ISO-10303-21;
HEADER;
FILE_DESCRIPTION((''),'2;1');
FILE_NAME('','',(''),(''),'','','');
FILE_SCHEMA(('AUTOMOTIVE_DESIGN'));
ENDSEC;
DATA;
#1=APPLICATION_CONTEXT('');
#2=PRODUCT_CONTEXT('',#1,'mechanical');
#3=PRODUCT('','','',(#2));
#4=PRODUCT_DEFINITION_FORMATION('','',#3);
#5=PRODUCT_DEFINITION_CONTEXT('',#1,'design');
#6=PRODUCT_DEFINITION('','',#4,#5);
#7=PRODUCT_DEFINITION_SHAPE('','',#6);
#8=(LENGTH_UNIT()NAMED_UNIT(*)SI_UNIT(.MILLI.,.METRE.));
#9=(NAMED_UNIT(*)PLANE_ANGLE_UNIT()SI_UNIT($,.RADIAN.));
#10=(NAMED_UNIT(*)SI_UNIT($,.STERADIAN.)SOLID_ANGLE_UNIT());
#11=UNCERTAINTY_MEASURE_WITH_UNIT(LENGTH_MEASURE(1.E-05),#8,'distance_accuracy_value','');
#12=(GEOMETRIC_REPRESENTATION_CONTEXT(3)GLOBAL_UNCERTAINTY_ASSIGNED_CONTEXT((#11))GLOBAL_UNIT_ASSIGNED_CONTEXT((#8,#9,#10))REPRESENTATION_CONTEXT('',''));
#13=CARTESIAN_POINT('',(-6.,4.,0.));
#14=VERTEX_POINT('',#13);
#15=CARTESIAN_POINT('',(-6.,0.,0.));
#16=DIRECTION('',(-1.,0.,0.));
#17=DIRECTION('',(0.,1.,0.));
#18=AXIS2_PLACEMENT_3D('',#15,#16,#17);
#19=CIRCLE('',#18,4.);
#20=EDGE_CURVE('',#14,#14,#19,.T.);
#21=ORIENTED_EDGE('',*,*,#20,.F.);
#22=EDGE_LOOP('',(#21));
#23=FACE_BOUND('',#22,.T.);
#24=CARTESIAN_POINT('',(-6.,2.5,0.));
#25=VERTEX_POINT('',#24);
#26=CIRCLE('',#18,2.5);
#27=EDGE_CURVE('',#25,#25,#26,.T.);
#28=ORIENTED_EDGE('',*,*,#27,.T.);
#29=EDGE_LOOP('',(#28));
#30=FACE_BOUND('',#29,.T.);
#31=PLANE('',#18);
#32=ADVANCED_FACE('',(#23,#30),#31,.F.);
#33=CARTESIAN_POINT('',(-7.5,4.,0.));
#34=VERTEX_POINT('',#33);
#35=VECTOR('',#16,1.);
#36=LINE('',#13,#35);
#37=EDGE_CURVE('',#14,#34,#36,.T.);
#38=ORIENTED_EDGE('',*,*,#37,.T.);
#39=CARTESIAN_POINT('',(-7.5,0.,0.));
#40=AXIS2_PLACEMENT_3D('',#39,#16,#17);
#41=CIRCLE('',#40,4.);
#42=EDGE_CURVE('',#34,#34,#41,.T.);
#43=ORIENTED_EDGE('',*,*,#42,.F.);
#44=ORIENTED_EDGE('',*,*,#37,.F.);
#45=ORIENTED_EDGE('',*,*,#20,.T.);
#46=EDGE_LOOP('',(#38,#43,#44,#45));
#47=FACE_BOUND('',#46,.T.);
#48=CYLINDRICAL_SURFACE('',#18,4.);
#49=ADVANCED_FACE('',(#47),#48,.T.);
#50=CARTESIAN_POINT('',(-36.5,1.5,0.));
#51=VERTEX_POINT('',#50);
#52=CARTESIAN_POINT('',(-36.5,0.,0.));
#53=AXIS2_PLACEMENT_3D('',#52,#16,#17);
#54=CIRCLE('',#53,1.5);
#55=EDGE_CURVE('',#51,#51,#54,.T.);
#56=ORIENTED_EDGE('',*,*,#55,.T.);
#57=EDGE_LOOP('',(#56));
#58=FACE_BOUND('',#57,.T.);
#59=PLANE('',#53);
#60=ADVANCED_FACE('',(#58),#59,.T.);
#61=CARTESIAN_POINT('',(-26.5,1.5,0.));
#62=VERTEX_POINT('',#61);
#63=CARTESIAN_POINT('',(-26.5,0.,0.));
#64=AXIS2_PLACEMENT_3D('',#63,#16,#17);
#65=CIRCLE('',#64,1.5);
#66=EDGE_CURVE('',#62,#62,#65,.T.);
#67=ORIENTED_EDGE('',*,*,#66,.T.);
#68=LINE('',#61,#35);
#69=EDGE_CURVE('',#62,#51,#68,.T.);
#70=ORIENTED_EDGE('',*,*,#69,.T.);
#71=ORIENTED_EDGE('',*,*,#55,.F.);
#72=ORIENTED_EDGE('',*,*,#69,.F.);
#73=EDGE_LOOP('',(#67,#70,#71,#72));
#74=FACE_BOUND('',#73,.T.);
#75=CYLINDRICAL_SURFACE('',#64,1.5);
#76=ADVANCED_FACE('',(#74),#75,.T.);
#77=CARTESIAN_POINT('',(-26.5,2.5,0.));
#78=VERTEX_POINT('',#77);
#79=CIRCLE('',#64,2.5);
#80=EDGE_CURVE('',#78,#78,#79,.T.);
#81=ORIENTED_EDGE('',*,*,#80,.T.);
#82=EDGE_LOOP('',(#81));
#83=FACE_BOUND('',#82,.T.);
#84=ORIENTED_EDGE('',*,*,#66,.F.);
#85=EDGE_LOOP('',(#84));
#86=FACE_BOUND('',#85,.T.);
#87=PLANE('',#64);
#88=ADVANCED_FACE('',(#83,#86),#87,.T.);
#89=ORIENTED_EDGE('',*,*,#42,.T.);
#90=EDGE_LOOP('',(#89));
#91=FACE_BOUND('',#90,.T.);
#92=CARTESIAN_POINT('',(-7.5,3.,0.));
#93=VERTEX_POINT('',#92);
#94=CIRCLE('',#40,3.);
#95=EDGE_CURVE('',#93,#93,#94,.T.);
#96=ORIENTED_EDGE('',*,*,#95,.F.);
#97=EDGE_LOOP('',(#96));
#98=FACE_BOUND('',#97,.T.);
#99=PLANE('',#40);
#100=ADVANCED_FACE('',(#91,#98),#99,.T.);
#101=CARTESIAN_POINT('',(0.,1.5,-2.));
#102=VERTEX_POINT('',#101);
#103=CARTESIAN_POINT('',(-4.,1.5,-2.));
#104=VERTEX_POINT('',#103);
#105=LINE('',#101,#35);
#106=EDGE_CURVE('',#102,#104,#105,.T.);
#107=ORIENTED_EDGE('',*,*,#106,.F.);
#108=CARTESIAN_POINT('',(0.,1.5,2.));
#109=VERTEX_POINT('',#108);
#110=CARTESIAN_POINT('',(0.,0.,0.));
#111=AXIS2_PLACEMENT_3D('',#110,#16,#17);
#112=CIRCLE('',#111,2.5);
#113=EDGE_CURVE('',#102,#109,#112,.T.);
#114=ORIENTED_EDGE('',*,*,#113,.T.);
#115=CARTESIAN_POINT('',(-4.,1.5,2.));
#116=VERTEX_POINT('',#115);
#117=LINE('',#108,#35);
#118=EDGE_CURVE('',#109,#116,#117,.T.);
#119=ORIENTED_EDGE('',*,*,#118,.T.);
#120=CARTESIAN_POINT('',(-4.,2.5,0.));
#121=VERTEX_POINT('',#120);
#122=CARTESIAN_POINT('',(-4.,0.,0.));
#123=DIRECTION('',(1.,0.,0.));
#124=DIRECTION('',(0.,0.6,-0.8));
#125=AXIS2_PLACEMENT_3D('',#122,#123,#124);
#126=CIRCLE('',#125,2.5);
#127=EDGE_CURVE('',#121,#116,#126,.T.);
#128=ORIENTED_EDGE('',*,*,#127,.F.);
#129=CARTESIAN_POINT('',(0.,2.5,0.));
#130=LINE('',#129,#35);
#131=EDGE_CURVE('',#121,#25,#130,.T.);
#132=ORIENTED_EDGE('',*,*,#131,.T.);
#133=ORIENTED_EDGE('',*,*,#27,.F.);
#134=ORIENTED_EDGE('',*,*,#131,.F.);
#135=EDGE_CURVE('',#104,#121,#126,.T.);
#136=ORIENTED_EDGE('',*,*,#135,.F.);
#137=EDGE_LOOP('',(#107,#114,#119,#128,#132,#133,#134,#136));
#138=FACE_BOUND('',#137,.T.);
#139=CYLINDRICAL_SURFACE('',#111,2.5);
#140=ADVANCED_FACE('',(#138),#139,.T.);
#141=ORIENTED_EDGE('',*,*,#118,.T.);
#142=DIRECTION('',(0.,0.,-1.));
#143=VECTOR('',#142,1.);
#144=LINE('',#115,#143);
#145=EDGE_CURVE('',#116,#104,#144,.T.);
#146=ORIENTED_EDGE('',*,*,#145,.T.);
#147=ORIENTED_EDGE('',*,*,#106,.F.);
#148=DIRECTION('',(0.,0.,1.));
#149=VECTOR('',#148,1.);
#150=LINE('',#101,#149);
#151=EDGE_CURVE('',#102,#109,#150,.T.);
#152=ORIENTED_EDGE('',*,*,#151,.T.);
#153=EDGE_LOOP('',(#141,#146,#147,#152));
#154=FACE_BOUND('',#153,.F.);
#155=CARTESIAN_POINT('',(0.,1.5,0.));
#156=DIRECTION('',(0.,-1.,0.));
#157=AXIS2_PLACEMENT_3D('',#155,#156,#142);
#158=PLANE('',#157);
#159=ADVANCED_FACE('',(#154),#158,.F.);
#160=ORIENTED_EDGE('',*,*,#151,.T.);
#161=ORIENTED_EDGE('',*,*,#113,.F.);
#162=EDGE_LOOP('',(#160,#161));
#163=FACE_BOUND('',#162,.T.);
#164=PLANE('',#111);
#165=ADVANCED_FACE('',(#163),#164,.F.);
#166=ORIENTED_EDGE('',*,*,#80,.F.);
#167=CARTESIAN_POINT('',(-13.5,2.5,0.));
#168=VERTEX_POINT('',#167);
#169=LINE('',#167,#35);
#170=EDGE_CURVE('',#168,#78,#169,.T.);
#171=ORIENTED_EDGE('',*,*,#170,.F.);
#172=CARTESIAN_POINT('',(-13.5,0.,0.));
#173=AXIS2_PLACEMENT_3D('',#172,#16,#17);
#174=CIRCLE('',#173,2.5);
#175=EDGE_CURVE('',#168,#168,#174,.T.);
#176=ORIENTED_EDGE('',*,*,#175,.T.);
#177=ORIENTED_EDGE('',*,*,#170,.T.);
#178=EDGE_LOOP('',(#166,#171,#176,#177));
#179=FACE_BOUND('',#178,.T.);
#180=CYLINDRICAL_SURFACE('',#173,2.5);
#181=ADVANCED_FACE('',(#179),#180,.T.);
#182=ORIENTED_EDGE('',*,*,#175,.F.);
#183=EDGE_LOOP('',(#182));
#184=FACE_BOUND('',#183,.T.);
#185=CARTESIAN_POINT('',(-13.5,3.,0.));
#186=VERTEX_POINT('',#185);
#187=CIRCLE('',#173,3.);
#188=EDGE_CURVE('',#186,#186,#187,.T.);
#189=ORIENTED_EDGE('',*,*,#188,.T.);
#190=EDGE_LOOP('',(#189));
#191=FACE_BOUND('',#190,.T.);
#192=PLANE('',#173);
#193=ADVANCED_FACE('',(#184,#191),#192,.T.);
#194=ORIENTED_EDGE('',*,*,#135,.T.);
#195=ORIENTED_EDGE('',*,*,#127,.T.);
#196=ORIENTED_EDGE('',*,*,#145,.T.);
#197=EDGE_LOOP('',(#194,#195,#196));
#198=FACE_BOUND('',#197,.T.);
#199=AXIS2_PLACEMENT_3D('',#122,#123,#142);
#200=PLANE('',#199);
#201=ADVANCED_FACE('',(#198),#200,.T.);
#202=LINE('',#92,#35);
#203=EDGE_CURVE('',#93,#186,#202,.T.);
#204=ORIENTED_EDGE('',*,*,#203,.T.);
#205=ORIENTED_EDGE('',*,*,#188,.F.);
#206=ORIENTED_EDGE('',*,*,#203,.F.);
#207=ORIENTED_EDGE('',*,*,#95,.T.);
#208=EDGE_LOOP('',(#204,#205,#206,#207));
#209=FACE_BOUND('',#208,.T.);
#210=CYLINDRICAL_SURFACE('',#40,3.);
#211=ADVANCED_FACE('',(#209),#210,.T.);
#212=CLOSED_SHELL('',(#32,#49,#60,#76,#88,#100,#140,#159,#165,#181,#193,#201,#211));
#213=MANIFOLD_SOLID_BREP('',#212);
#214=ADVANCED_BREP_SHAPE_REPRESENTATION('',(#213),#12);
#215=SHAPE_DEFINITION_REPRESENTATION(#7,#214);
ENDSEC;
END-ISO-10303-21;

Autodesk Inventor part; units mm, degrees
ref_plane "YZ Plane" through (0, 0, 0) normal (1, 0, 0) x (0, 1, 0)
ref_plane "XZ Plane" through (0, 0, 0) normal (0, 1, 0) x (-1, 0, 0)
ref_plane "XY Plane" through (0, 0, 0) normal (0, 0, 1) x (1, 0, 0)
sketch "Skizze1" plane through (0, 0, 0) normal (0, 0, 1) x (1, 0, 0)
  line L0 (-55.7318, 0) -> (9.2886, 0) projected
  line L1 (0, -0.8) -> (0, 4.8) projected
  line L2 (0, 0) -> (0, 2.5)
  line L3 (0, 0) -> (-46.4431, 0)
  line L4 (0, 2.5) -> (-6, 2.5)
  line L5 (-6, 2.5) -> (-6, 3)
  line L6 (-7.5, 3) -> (-13.5, 3)
  line L7 (-13.5, 3) -> (-13.5, 2.5)
  line L8 (-13.5, 2.5) -> (-26.5, 2.5)
  line L9 (-26.5, 2.5) -> (-26.5, 1.5)
  line L10 (-26.5, 1.5) -> (-36.5, 1.5)
  line L11 (-36.5, 1.5) -> (-36.5, 0)
  line L12 (-36.5, 0) -> (0, 0)
  line L13 (-6, 3) -> (-6, 4)
  line L14 (-6, 4) -> (-7.5, 4)
  line L15 (-7.5, 4) -> (-7.5, 3)
  dimension "d0" = 5
  dimension "d1" = 6
  dimension "d4" = 5
  dimension "d5" = 13
  dimension "d6" = 3
  dimension "d7" = 10
  dimension "d9" = 8
  dimension "d10" = 1.5
  dimension "d11" = 7.5
  dimension "d15" = 6
revolve "Umdrehung1" add sketch "Skizze1" angle 360 about axis through (0, 0, 0) along (-1, 0, 0)
sketch "Skizze2" plane through (0, 0, 0) normal (1, 0, 0) x (0, 0, -1)
  circle A0 centre (0, 0) radius 2.5 projected
  line L0 (0, -5.6) -> (0, 5.6) projected
  line L1 (5.6, 0) -> (-5.6, 0) projected
  line L2 (-2, 1.5) -> (2, 1.5)
  dimension "d12" = 1.5
extrude "Extrusion1" cut sketch "Skizze2" against normal blind 4 contours L2 L0 A0 | L0 L2 A0
properties part number "13_1087_015"
